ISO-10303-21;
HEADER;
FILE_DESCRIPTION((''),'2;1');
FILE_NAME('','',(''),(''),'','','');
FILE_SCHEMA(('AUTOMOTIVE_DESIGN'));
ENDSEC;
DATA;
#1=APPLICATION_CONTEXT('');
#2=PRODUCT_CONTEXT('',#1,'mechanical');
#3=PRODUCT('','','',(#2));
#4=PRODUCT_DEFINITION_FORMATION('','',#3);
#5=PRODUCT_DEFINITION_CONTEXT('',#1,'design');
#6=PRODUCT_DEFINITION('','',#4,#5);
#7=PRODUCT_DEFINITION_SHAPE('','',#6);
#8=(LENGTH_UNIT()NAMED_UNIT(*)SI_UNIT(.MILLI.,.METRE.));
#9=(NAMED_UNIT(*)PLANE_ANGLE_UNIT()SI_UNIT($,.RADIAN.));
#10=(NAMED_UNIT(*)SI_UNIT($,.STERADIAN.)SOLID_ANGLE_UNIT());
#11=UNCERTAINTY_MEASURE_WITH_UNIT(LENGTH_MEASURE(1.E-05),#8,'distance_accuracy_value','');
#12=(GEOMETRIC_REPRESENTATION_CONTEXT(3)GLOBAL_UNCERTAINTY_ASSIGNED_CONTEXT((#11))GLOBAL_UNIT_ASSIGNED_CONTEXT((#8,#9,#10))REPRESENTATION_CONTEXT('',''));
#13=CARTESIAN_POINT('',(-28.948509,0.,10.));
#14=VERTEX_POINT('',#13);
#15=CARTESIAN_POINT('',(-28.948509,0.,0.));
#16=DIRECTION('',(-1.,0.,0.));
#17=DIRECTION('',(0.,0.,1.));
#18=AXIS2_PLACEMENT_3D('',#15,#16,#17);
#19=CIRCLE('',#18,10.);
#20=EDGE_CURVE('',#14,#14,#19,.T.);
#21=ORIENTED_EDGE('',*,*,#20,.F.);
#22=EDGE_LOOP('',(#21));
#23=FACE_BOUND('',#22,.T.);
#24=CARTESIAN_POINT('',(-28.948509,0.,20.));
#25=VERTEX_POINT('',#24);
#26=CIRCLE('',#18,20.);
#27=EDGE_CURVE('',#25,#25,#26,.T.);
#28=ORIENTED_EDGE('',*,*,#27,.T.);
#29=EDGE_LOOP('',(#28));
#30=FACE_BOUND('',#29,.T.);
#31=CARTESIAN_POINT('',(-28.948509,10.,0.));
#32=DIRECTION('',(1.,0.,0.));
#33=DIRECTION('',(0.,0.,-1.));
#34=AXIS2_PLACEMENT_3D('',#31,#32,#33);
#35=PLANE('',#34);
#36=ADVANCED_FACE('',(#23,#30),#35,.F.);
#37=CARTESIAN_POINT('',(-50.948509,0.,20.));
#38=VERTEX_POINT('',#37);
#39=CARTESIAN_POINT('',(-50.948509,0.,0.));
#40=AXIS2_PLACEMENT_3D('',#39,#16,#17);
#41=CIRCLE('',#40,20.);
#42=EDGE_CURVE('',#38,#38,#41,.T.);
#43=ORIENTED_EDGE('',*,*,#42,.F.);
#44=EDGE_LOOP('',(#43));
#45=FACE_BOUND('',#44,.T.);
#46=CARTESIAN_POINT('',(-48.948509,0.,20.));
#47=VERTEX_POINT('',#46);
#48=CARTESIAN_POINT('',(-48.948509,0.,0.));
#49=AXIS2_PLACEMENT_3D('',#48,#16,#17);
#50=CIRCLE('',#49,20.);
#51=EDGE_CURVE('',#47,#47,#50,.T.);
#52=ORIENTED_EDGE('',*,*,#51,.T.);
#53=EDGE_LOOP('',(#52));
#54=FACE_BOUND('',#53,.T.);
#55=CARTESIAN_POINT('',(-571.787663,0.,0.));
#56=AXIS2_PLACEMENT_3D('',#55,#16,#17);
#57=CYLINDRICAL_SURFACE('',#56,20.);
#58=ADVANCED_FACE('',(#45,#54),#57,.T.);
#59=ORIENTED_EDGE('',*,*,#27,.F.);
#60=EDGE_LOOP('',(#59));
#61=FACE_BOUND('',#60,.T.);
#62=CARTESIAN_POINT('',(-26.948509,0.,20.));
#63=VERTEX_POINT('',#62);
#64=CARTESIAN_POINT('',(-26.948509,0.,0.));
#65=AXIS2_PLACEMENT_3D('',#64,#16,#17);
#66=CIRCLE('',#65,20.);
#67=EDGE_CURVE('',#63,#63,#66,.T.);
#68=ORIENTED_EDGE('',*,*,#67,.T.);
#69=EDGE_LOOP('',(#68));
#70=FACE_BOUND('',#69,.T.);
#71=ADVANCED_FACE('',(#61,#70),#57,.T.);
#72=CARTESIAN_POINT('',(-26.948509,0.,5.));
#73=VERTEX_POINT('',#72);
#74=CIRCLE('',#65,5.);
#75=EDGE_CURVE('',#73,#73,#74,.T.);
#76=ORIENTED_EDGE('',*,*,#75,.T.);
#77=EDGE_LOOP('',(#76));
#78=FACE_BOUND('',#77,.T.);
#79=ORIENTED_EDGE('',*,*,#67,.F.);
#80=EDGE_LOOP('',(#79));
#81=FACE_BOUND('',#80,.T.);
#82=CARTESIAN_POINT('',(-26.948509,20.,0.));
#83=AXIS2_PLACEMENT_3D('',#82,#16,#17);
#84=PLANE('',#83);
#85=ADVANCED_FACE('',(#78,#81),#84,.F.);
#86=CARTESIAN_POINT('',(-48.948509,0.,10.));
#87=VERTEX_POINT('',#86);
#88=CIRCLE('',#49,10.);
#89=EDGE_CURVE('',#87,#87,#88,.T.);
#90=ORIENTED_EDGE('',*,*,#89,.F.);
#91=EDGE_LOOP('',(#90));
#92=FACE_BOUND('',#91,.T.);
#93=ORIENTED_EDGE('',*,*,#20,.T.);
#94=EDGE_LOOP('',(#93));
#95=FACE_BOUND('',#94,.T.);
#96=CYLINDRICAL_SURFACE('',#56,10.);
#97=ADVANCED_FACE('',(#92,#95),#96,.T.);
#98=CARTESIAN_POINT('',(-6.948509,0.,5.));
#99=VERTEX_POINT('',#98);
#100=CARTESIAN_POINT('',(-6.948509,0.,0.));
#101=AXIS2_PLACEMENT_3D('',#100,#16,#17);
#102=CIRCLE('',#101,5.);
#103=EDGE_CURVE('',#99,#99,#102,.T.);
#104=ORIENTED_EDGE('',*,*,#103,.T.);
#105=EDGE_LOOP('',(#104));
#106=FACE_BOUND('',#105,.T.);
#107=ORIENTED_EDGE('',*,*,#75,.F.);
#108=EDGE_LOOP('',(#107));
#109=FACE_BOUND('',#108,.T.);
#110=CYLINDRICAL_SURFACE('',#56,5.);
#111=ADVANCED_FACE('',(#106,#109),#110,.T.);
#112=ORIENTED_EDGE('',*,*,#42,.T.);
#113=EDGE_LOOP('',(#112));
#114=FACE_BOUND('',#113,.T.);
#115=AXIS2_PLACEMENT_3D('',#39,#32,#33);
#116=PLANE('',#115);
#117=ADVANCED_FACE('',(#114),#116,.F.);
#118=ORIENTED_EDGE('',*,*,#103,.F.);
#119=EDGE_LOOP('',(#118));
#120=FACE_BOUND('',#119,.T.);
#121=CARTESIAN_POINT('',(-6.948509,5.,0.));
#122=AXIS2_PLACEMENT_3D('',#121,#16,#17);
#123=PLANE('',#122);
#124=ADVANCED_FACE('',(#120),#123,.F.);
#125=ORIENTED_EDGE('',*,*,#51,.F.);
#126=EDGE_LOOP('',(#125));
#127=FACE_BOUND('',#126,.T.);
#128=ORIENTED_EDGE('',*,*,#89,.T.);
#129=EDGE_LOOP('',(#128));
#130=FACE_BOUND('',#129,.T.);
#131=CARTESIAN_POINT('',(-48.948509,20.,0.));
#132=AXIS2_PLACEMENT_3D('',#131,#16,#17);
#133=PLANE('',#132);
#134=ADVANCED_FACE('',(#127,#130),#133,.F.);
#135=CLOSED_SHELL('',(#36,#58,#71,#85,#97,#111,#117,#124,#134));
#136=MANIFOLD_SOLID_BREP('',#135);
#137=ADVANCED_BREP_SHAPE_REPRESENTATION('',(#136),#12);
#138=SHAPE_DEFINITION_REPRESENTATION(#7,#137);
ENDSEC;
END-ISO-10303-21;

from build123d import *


with BuildPart() as part:
    # Sketch1 → Revolve1 (revolve)
    with BuildSketch(Plane.XY, mode=Mode.PRIVATE) as revolve1_sk:
        Polygon((-50.948509485, 0), (-50.948509485, 20), (-48.948509485, 20), (-48.948509485, 10), (-28.948509485, 10), (-28.948509485, 20), (-26.948509485, 20), (-26.948509485, 5), (-6.948509485, 5), (-6.948509485, 0), align=None)
    revolve(revolve1_sk.sketch.rotate(Axis((-571.787663179, 0, 0), (1, 0, 0)), 90), axis=Axis((-571.787663179, 0, 0), (1, 0, 0)))


solid = part.part
